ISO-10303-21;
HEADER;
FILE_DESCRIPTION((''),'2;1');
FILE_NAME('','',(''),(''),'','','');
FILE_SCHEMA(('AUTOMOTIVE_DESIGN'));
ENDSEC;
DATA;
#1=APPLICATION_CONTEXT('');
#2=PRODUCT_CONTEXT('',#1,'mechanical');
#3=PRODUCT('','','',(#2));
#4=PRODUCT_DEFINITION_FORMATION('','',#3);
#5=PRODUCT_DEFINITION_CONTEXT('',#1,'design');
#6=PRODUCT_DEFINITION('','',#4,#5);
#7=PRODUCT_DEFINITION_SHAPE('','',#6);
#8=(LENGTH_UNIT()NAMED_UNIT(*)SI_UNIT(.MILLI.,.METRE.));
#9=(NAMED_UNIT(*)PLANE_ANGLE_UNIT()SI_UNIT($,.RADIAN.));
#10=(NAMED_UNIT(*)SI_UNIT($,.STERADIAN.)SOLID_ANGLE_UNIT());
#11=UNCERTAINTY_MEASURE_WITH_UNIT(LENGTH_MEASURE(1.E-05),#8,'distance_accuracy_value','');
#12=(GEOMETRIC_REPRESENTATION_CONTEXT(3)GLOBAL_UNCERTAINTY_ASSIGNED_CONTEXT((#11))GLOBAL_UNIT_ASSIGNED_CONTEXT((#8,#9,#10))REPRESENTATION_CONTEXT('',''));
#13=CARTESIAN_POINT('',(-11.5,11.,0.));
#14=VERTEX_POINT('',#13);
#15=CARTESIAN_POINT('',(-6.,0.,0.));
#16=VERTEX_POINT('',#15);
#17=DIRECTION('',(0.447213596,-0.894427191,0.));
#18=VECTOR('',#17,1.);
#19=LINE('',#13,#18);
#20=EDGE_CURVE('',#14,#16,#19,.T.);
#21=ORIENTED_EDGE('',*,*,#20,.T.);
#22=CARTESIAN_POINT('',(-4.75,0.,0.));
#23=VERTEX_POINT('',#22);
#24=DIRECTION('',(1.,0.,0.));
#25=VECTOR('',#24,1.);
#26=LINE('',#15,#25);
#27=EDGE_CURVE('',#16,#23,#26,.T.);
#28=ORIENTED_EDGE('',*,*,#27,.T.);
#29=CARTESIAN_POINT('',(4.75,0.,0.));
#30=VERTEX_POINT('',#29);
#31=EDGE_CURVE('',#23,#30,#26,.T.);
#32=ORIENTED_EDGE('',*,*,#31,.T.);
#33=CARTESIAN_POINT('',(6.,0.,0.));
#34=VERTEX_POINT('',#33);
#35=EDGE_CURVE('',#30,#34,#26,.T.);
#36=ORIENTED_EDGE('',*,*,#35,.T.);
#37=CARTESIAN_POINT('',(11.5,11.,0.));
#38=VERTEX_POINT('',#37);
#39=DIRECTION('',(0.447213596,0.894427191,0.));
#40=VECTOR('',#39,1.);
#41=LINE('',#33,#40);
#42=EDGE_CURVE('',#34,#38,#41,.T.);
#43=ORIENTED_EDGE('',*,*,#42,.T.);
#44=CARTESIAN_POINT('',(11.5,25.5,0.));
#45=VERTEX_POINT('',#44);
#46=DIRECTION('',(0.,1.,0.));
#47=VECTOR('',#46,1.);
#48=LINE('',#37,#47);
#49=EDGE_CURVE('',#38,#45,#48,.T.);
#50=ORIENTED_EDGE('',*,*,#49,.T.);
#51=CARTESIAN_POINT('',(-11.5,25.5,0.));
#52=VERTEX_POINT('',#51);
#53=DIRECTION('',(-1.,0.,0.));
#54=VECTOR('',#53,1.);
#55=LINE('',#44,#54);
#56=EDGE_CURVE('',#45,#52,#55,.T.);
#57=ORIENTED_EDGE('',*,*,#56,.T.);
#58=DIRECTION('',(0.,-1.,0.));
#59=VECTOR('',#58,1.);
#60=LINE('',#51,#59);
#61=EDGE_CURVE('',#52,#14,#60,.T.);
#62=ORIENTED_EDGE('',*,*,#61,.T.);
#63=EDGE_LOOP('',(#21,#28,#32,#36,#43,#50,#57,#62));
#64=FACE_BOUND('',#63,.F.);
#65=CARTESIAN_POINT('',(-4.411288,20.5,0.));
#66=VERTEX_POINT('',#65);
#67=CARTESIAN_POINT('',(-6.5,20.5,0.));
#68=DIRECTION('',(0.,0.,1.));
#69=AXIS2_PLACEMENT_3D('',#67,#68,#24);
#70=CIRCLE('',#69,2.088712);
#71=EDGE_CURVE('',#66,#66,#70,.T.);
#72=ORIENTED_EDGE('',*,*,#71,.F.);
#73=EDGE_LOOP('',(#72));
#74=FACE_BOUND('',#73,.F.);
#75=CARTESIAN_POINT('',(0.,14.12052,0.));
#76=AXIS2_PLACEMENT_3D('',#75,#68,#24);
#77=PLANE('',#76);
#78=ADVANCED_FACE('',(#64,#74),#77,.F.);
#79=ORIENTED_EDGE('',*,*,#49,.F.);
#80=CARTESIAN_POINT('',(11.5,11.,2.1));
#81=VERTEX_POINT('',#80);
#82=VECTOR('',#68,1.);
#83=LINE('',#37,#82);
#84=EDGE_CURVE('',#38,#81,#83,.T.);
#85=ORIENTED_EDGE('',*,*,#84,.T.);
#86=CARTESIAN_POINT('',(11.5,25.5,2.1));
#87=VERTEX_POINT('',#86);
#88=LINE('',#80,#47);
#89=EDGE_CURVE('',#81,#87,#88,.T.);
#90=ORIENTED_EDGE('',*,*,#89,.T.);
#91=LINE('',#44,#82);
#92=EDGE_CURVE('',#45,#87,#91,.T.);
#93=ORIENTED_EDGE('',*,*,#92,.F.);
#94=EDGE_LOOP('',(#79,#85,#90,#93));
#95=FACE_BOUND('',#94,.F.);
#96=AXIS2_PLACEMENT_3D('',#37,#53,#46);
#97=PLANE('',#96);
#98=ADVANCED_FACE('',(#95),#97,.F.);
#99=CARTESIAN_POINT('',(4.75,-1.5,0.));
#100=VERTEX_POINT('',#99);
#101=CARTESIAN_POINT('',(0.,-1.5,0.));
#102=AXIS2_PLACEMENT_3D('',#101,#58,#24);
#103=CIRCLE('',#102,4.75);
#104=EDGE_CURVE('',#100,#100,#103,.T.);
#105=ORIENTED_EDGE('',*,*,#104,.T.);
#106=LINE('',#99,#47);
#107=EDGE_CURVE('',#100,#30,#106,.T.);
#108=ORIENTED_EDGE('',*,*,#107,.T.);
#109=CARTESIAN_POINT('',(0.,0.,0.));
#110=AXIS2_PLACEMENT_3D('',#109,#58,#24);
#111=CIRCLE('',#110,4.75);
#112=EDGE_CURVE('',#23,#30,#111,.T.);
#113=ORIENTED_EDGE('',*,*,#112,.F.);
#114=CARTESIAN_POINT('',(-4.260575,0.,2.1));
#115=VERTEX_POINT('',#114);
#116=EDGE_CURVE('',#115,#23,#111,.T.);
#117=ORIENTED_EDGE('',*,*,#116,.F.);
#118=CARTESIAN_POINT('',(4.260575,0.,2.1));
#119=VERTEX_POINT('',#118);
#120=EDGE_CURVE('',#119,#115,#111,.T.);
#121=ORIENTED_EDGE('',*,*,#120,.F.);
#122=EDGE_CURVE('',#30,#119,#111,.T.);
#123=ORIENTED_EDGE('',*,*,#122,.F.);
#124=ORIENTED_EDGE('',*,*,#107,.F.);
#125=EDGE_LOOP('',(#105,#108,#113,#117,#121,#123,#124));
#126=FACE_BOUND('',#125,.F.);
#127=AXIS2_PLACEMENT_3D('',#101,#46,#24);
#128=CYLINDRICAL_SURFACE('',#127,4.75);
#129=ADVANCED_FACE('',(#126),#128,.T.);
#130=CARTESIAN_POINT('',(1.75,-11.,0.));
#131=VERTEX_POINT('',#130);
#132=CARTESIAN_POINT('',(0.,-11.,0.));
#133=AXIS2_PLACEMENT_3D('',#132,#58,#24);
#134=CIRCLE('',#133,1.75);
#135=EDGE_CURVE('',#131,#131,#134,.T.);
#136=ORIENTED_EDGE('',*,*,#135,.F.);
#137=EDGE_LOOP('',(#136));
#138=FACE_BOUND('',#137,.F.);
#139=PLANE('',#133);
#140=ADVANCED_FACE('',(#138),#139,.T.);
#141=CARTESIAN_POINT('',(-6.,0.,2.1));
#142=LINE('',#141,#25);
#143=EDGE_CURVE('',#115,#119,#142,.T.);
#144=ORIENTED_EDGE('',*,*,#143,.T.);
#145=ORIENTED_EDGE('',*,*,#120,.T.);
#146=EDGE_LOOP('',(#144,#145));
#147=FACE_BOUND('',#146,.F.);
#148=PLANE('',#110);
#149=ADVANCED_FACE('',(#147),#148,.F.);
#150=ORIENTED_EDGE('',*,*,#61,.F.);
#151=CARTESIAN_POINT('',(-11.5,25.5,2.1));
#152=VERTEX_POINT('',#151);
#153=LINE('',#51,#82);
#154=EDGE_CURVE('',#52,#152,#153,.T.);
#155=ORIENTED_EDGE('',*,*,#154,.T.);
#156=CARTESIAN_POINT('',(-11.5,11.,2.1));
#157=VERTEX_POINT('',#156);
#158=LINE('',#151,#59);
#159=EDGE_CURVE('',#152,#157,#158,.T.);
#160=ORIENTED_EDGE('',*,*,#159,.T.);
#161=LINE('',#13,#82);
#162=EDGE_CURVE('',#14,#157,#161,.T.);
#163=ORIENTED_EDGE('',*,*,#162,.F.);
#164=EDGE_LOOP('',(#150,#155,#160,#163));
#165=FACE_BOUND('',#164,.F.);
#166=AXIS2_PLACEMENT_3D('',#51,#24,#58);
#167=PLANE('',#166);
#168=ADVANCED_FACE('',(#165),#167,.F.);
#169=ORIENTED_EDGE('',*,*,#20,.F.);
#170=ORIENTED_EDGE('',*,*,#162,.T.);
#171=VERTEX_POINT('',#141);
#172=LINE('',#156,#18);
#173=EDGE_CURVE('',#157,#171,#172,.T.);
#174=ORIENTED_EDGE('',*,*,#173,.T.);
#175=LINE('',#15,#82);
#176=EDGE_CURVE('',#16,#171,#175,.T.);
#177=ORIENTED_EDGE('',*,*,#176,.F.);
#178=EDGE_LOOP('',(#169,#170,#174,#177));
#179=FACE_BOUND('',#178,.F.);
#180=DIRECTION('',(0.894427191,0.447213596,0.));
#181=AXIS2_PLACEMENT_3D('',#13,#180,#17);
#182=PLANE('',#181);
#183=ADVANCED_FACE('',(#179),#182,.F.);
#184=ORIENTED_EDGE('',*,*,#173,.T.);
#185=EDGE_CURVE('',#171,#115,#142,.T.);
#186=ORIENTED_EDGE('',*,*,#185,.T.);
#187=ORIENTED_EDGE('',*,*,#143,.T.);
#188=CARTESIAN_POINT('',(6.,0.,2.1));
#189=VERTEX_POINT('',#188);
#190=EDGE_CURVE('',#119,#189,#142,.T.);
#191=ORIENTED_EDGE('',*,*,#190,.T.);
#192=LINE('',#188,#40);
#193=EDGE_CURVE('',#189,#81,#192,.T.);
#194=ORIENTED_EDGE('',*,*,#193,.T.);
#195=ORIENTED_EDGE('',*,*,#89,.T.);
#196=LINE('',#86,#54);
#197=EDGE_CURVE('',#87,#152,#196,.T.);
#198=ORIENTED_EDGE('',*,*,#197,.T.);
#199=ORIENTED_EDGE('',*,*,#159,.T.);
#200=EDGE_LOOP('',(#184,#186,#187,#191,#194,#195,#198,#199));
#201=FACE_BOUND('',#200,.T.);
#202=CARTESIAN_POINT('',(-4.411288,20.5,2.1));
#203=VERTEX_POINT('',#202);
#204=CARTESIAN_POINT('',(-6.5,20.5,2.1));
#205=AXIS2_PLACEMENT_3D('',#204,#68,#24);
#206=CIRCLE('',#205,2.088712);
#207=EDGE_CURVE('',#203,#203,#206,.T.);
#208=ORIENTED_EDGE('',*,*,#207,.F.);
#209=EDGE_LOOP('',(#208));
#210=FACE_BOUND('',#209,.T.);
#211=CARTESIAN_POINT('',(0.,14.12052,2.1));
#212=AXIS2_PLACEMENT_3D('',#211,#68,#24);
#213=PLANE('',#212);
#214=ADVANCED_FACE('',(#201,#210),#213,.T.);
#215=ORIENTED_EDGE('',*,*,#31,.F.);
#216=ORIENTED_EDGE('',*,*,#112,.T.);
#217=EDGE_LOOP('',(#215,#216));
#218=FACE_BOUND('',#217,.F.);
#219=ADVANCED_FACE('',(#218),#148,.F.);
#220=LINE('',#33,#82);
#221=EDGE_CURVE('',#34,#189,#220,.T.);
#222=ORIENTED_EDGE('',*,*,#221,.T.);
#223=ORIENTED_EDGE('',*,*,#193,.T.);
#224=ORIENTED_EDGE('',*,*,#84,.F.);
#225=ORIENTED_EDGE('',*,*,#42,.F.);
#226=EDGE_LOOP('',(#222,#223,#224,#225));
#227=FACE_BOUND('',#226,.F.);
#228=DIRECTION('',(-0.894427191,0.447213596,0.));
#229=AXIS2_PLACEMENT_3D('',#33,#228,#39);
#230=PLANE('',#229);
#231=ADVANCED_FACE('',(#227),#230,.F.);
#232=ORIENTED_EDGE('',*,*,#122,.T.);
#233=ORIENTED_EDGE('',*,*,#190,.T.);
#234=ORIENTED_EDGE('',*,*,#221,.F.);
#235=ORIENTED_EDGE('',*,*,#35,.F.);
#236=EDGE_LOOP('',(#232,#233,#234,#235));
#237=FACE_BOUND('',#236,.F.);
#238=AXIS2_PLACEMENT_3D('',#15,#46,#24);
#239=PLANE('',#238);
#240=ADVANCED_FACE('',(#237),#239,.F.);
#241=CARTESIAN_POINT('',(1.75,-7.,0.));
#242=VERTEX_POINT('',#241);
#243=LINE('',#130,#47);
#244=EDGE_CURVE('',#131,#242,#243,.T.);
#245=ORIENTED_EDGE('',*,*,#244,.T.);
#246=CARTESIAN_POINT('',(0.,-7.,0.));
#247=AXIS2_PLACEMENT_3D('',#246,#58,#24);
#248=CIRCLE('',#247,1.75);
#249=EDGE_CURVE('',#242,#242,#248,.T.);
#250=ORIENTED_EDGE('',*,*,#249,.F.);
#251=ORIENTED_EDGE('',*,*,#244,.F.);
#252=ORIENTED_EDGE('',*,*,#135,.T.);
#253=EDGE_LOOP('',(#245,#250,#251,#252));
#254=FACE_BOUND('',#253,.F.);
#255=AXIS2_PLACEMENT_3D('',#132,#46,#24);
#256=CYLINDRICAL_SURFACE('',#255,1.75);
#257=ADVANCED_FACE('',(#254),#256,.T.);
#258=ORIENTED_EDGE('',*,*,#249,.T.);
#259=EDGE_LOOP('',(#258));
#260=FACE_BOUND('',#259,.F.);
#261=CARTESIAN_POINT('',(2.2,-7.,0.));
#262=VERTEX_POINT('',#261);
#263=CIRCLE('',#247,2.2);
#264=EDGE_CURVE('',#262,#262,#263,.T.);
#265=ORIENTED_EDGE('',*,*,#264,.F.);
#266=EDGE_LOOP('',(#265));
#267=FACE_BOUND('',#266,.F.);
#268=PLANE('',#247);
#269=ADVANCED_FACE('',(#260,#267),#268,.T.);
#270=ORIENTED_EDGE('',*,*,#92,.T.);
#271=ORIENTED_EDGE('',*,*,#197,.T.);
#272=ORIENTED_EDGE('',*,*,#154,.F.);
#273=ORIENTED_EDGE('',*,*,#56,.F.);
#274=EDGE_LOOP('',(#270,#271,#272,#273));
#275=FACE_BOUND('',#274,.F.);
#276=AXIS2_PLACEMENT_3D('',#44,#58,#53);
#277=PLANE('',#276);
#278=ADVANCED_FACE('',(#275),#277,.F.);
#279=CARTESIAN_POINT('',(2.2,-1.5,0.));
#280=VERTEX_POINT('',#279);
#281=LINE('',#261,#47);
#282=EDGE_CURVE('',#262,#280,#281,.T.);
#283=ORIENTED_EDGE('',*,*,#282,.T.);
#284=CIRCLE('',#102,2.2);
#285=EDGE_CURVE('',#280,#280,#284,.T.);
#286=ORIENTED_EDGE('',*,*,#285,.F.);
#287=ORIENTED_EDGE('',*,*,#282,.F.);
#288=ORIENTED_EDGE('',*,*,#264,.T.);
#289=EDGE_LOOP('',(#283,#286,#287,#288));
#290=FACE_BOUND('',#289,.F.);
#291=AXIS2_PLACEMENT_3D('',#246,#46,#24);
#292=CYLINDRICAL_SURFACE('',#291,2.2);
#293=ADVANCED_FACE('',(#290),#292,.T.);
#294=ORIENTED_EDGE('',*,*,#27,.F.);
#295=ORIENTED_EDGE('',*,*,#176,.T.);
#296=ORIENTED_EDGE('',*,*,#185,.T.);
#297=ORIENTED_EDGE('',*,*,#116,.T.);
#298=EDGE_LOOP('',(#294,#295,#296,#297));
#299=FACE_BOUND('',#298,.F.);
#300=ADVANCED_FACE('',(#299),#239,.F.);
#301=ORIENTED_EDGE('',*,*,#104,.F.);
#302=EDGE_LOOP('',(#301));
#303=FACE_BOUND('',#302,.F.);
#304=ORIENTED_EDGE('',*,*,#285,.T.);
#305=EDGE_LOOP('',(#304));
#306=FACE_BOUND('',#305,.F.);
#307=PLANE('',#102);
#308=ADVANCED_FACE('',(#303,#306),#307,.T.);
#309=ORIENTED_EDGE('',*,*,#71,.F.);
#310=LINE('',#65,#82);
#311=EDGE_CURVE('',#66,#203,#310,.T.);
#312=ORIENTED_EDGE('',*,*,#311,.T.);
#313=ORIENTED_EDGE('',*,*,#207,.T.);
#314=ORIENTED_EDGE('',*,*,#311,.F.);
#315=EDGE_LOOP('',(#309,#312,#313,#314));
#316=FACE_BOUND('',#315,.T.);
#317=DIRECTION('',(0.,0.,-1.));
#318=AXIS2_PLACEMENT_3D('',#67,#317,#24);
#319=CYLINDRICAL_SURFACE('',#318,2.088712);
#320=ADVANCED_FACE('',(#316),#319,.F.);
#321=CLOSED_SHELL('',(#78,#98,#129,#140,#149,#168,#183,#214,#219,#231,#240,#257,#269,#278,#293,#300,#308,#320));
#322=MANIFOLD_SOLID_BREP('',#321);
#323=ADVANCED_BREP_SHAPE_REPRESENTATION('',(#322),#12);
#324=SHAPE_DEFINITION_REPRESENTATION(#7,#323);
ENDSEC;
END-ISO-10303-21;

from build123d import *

# Parameters (mm, degrees)
F0_R     = 2.088712
F1_DEPTH = 2.1


with BuildPart() as f1:
    # F0 (on Top) → F1 (new body)
    with BuildSketch(Plane.XY):
        Polygon((-11.5, 11), (-6, 0), (6, 0), (11.5, 11), (11.5, 25.5), (-11.5, 25.5), align=None)
        with Locations((-6.5, 20.5)):
            Circle(F0_R, mode=Mode.SUBTRACT)
    extrude(amount=F1_DEPTH)

    # F2 (on Top) → F3 (revolve)
    with BuildSketch(Plane.XY):
        Polygon((4.75, 0), (0, 0), (0, -11), (1.75, -11), (1.75, -7), (2.2, -7), (2.2, -1.5), (4.75, -1.5), align=None)
    revolve(axis=Axis((0, -1.236811, 0), (0, -1, 0)))


solid = f1.part
